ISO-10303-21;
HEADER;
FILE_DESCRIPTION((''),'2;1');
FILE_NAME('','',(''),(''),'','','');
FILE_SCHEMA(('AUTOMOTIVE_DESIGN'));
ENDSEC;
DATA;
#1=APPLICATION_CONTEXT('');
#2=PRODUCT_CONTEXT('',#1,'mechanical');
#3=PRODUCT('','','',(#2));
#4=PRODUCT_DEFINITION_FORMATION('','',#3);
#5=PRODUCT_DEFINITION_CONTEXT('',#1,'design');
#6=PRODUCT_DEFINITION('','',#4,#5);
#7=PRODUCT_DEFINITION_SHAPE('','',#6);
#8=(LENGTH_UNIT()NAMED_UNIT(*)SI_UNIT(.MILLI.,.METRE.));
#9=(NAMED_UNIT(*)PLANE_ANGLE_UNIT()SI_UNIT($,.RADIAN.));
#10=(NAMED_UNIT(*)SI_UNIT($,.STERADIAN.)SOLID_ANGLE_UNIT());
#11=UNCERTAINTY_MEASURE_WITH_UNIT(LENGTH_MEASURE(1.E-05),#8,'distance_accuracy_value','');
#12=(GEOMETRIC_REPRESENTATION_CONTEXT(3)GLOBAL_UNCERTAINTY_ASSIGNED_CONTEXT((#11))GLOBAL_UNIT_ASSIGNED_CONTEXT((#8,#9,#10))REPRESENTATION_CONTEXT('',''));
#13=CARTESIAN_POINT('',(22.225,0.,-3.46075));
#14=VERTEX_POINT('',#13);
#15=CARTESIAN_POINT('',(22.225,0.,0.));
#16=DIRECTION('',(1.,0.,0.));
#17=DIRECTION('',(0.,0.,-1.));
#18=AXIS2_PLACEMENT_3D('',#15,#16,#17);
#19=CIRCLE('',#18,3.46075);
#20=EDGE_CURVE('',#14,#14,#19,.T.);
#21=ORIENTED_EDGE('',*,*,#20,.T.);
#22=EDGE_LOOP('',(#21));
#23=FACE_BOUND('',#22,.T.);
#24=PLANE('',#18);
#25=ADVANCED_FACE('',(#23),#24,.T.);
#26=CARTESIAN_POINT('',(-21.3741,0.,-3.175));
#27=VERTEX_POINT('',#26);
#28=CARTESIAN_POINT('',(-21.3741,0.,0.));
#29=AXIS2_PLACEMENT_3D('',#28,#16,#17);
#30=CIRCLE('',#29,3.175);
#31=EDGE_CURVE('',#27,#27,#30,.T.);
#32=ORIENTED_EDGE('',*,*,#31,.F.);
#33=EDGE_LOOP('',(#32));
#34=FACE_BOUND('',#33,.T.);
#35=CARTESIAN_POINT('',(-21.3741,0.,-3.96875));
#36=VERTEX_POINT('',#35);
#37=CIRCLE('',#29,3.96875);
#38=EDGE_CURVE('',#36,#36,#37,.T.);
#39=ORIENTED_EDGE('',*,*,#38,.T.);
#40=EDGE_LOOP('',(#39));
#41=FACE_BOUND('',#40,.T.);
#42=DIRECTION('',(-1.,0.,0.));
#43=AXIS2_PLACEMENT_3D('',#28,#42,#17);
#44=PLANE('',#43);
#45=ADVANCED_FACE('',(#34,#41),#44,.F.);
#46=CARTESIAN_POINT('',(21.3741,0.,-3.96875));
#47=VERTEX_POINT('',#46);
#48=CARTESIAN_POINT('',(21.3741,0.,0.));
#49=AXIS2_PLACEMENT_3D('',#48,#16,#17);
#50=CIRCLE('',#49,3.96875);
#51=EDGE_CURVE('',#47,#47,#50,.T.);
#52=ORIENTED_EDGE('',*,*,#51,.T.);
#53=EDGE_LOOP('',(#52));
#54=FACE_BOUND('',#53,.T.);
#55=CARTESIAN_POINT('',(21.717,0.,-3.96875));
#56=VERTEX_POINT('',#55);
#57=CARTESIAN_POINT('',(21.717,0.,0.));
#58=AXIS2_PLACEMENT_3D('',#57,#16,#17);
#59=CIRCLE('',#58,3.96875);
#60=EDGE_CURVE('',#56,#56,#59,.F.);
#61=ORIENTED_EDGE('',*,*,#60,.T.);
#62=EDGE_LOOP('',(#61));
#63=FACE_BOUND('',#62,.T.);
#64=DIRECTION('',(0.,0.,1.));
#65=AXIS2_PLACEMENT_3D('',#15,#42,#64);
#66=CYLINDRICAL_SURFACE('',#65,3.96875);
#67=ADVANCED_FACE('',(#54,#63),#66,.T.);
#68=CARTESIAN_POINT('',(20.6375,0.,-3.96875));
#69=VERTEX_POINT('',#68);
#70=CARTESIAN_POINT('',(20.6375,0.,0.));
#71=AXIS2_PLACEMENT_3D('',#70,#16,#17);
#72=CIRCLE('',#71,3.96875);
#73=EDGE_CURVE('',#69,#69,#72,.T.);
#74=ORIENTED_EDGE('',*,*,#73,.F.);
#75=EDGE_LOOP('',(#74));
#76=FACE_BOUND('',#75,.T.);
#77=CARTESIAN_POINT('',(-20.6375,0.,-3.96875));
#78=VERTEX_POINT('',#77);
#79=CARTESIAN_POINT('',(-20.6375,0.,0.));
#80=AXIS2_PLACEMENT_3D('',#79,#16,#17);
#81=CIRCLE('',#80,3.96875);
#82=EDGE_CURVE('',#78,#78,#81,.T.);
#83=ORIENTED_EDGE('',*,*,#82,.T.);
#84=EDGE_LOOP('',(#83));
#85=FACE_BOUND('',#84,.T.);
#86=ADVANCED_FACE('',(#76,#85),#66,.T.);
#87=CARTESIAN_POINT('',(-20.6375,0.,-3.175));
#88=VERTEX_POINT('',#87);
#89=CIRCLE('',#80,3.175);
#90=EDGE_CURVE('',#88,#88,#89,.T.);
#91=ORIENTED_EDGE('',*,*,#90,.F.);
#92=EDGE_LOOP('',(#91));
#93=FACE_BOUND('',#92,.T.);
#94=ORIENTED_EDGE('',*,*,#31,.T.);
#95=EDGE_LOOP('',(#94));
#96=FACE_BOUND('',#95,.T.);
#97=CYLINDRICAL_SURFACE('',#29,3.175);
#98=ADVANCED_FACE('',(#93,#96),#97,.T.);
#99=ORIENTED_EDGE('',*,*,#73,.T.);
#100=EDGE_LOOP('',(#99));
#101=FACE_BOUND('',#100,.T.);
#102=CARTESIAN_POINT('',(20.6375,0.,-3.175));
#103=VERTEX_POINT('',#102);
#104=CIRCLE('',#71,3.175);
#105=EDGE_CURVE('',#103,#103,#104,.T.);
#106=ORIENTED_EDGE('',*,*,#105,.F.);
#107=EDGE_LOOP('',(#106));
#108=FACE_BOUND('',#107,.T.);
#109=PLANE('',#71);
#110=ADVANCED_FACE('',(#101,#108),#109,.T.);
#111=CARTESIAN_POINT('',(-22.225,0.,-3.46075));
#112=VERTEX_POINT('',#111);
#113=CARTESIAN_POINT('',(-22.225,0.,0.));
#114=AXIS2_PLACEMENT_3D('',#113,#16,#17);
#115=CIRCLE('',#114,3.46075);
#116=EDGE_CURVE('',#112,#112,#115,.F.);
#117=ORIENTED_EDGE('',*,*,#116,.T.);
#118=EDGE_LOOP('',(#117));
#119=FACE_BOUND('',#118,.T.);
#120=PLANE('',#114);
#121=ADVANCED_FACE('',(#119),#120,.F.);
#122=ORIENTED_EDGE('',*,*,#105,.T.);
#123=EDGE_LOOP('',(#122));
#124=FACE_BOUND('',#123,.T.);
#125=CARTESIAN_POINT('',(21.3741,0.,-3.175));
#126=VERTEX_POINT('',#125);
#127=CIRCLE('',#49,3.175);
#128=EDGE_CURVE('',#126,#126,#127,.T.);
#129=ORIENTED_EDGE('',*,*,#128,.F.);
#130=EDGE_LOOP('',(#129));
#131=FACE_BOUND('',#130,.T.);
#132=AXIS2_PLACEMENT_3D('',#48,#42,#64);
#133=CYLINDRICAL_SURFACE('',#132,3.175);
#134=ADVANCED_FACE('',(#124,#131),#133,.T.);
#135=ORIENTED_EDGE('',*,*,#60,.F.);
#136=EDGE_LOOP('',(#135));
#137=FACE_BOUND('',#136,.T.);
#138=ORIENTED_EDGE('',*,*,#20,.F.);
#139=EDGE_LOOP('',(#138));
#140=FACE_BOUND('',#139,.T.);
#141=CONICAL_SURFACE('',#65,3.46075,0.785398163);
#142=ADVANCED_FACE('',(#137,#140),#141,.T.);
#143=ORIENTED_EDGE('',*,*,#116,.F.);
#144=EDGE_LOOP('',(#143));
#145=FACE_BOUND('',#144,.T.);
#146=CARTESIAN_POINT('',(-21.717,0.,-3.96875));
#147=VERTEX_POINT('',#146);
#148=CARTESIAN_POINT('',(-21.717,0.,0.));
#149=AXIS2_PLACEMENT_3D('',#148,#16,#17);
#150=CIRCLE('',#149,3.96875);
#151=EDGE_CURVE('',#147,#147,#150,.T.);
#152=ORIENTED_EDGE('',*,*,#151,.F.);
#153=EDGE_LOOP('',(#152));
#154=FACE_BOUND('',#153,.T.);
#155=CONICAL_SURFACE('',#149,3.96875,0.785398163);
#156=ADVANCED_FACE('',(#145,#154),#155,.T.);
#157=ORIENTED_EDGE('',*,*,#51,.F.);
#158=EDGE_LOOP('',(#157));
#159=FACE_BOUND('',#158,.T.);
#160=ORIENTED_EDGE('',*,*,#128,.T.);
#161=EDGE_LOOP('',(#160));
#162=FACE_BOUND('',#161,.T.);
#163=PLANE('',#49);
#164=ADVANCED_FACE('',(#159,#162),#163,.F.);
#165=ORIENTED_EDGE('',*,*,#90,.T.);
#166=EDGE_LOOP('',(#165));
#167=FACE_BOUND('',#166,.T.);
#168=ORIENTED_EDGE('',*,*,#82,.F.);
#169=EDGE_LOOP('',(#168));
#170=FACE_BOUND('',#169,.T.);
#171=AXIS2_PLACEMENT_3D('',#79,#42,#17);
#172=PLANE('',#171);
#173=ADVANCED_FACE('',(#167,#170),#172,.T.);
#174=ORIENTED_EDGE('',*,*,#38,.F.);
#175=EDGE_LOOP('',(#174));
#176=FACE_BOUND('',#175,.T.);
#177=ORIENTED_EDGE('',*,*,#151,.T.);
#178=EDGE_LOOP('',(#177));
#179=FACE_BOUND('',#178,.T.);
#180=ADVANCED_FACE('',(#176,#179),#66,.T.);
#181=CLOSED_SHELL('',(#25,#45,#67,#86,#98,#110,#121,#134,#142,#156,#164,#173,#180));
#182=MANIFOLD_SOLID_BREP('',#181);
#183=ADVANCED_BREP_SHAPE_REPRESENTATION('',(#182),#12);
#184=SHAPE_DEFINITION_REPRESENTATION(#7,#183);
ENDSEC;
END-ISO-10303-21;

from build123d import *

# Parameters (mm, degrees)
SKETCH1_R           = 3.96875
BOSS_EXTRUDE1_DEPTH = 22.225
CHAMFER1_SIZE       = 0.508
CUT_EXTRUDE1_START  = 0.7366
SKETCH2_R           = 3.96875
SKETCH2_R_2         = 3.175
CUT_EXTRUDE1_DEPTH  = 0.7366


with BuildPart() as part:
    # Sketch1 → Boss-Extrude1 (new, symmetric)
    with BuildSketch(Plane(origin=(0, 0, 0), x_dir=(0, 0, -1), z_dir=(1, 0, 0))):
        Circle(SKETCH1_R)
    extrude(amount=BOSS_EXTRUDE1_DEPTH, both=True)

    # Chamfer1
    chamfer1_edges = [part.edges().sort_by_distance(p)[0] for p in [
        (-22.225, 0, 3.96875),
        (22.225, 0, 3.96875),
    ]]
    chamfer(chamfer1_edges, length=CHAMFER1_SIZE)

    # Sketch2 → Cut-Extrude1 (cut)
    with BuildSketch(Plane(origin=(20.6375, 0, 0), x_dir=(0, 0, -1), z_dir=(1, 0, 0)).offset(CUT_EXTRUDE1_START)):
        Circle(SKETCH2_R)
        Circle(SKETCH2_R_2, mode=Mode.SUBTRACT)
    cut_extrude1 = extrude(amount=-CUT_EXTRUDE1_DEPTH, mode=Mode.SUBTRACT)

    # Mirror1: Cut-Extrude1 across plane
    add(cut_extrude1.mirror(Plane(origin=(0, 0, 0), x_dir=(0, 0, 1), z_dir=(1, 0, 0))), mode=Mode.SUBTRACT)


solid = part.part
